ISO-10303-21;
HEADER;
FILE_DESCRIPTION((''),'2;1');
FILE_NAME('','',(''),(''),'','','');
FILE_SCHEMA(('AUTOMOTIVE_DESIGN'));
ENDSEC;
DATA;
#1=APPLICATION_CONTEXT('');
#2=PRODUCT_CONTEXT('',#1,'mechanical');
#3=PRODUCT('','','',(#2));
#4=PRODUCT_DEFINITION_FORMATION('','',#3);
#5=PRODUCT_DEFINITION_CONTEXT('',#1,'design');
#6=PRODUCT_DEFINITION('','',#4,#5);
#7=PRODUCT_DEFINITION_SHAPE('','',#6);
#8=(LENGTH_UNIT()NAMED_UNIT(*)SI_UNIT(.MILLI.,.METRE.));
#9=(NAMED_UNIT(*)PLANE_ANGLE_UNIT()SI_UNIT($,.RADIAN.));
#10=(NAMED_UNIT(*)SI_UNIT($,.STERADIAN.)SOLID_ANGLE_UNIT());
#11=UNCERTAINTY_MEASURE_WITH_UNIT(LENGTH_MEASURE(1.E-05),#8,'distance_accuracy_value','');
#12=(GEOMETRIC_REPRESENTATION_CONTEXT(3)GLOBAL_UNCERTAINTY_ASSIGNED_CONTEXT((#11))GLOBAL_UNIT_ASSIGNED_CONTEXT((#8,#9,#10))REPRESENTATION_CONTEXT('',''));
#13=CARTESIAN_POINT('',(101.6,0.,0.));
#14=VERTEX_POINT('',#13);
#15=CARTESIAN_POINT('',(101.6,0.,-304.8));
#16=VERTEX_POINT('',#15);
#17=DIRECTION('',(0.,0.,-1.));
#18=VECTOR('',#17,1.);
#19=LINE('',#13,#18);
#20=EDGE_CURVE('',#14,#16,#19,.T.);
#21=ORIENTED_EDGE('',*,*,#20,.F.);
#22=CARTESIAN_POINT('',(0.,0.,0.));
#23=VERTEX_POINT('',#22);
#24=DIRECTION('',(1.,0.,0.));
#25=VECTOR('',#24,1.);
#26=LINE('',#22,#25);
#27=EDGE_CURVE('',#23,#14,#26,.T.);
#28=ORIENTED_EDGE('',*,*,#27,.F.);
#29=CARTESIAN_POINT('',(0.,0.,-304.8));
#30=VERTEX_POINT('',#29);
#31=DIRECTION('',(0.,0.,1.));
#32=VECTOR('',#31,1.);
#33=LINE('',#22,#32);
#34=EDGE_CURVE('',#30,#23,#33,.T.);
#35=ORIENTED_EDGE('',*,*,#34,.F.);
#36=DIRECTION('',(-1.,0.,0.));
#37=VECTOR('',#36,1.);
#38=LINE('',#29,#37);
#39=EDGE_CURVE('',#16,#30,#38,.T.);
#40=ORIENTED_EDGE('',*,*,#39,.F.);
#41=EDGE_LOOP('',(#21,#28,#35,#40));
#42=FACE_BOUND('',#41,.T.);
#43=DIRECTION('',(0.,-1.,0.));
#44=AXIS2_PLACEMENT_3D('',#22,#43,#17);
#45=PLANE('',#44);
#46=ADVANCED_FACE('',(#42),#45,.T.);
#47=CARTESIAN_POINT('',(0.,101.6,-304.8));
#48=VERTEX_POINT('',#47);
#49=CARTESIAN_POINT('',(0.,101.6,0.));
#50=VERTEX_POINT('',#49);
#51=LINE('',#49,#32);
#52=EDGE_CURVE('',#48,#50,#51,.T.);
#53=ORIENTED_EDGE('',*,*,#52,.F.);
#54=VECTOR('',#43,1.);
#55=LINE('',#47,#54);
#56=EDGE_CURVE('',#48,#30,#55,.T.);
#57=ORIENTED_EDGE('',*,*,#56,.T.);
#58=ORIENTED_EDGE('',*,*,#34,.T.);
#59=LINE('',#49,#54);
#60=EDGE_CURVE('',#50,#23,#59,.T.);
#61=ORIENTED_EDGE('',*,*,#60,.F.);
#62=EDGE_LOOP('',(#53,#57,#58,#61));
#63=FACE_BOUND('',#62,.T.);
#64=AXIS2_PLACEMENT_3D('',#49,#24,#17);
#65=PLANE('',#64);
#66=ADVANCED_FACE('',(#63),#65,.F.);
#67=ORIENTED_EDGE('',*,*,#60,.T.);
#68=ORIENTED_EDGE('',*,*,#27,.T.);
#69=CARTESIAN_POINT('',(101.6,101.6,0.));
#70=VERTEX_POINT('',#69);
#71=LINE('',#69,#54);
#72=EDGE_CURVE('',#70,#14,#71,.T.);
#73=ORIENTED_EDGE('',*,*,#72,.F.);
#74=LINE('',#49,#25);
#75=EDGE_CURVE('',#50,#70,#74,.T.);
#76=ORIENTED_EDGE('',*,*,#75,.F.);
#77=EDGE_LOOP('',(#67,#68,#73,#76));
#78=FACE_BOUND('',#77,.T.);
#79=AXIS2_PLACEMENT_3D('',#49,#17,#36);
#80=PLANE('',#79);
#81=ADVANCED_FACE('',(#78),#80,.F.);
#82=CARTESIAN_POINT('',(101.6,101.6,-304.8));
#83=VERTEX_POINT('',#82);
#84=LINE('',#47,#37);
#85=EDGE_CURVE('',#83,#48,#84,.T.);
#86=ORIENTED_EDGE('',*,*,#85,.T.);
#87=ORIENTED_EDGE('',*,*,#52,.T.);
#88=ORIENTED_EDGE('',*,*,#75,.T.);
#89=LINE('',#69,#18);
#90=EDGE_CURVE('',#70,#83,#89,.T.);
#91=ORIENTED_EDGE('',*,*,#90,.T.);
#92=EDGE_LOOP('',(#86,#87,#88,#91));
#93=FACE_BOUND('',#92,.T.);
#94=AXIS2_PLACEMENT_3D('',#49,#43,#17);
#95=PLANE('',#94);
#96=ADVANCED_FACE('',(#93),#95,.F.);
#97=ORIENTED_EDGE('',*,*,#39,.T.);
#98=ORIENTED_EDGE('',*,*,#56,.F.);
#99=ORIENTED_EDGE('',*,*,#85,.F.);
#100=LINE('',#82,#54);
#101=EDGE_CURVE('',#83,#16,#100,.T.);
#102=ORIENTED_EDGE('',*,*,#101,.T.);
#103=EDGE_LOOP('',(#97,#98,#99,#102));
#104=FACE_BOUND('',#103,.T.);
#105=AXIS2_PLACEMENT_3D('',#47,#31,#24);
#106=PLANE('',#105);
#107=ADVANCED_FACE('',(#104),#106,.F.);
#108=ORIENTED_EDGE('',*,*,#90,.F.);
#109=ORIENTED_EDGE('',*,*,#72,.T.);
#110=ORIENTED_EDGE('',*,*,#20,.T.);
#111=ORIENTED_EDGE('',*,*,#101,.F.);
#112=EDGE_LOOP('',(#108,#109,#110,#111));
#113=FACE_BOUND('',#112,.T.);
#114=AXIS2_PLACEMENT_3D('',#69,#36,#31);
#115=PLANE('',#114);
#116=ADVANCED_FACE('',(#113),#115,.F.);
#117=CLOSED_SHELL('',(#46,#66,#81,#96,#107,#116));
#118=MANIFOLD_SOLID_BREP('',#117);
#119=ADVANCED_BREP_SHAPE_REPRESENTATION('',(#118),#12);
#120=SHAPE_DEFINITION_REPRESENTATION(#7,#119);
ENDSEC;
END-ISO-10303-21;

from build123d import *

# Parameters (mm, degrees)
SKETCH1_W           = 101.6
SKETCH1_H           = 304.8
BOSS_EXTRUDE1_DEPTH = 101.6


with BuildPart() as part:
    # Sketch1 → Boss-Extrude1 (new body)
    with BuildSketch(Plane(origin=(0, 0, 0), x_dir=(1, 0, 0), z_dir=(0, 1, 0))):
        with Locations((50.8, 152.4)):
            Rectangle(SKETCH1_W, SKETCH1_H)
    extrude(amount=BOSS_EXTRUDE1_DEPTH)


solid = part.part
